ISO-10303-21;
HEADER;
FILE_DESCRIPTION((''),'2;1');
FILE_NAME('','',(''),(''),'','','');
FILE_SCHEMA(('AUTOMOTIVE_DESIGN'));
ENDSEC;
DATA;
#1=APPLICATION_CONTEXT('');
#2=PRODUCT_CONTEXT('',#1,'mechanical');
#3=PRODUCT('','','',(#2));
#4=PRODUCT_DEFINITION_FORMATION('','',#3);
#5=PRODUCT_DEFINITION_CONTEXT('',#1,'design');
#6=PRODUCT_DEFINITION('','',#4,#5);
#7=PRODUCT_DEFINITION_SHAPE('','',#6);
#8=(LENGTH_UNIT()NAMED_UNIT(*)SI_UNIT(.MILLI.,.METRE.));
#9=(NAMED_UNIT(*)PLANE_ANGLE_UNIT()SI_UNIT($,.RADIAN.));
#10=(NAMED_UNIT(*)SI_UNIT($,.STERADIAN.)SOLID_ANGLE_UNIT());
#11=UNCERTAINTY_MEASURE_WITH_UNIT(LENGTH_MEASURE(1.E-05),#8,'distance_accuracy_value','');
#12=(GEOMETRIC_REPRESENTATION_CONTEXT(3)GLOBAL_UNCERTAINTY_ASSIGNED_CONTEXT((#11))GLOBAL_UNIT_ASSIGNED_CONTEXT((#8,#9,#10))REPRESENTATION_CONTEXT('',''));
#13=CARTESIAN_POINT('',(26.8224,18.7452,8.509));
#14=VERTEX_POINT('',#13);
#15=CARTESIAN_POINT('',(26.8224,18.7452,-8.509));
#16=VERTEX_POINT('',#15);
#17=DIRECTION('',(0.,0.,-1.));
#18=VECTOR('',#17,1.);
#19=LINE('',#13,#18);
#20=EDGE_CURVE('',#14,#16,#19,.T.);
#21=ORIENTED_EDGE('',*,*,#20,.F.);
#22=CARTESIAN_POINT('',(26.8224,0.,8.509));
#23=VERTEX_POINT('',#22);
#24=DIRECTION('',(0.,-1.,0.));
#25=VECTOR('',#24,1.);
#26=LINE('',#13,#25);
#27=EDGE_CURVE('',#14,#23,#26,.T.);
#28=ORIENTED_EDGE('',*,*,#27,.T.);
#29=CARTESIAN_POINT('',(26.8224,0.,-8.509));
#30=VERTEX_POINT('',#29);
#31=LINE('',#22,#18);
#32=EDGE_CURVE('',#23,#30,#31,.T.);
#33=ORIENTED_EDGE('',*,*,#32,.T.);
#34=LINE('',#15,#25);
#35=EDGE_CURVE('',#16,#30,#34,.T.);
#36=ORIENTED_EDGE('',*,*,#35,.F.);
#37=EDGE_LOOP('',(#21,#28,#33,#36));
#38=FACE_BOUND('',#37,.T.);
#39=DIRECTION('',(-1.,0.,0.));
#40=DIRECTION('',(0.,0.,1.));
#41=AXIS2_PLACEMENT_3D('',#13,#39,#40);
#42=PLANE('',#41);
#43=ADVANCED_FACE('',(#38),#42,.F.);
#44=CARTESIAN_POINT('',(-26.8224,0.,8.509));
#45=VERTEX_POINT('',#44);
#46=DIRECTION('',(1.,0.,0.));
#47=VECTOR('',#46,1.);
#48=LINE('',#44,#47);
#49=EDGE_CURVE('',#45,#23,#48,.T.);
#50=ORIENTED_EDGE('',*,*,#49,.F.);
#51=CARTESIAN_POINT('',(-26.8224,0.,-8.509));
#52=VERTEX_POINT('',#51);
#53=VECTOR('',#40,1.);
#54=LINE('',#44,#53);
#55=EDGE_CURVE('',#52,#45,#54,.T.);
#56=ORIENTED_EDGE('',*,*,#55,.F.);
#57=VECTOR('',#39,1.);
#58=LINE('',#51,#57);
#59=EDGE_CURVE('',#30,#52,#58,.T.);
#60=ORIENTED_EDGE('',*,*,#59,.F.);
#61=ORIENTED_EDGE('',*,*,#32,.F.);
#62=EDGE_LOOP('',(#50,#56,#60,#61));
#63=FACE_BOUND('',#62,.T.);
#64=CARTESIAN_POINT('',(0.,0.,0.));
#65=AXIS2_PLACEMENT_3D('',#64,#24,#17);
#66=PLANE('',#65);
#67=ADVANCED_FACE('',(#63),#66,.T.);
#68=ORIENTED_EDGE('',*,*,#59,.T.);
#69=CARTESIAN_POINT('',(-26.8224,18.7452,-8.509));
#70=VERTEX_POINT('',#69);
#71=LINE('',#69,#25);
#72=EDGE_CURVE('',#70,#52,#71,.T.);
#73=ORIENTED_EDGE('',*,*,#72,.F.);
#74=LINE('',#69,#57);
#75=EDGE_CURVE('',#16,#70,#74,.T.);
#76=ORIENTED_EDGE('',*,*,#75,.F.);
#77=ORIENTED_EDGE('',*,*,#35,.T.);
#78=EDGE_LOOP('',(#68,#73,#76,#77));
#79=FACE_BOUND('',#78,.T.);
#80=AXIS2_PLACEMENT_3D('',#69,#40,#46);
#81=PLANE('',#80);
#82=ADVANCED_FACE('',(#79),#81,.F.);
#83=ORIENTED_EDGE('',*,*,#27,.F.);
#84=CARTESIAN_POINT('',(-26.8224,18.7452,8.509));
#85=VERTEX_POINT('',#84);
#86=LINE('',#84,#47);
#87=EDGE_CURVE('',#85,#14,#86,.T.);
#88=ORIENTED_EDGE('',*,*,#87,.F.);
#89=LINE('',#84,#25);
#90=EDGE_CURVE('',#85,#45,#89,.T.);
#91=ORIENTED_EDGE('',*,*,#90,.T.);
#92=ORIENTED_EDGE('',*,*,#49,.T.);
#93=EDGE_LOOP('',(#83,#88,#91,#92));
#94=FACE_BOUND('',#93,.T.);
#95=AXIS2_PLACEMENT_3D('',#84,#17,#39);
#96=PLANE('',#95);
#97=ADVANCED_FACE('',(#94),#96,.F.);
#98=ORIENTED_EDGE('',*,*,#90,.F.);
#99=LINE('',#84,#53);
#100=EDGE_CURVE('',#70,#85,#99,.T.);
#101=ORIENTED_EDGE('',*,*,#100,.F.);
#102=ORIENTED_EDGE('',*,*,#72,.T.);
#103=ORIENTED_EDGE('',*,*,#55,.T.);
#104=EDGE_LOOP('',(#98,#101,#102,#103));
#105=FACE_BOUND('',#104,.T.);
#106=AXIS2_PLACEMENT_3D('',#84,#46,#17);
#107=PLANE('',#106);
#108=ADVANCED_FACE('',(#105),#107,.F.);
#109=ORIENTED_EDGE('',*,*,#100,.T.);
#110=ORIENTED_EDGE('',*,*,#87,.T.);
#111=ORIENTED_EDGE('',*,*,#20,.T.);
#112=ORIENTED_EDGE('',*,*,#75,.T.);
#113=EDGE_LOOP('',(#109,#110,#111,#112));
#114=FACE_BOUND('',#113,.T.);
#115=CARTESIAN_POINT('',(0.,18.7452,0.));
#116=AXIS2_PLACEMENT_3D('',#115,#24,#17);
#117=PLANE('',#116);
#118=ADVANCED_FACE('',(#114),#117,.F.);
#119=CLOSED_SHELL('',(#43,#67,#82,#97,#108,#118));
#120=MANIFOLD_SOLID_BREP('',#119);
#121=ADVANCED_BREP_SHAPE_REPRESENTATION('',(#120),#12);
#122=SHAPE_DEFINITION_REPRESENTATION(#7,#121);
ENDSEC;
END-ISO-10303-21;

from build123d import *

# Parameters (mm, degrees)
SKETCH1_W           = 53.6448
SKETCH1_H           = 17.018
BOSS_EXTRUDE1_DEPTH = 18.7452


with BuildPart() as part:
    # Sketch1 → Boss-Extrude1 (new body)
    with BuildSketch(Plane(origin=(0, 0, 0), x_dir=(1, 0, 0), z_dir=(0, 1, 0))):
        Rectangle(SKETCH1_W, SKETCH1_H)
    extrude(amount=BOSS_EXTRUDE1_DEPTH)


solid = part.part
